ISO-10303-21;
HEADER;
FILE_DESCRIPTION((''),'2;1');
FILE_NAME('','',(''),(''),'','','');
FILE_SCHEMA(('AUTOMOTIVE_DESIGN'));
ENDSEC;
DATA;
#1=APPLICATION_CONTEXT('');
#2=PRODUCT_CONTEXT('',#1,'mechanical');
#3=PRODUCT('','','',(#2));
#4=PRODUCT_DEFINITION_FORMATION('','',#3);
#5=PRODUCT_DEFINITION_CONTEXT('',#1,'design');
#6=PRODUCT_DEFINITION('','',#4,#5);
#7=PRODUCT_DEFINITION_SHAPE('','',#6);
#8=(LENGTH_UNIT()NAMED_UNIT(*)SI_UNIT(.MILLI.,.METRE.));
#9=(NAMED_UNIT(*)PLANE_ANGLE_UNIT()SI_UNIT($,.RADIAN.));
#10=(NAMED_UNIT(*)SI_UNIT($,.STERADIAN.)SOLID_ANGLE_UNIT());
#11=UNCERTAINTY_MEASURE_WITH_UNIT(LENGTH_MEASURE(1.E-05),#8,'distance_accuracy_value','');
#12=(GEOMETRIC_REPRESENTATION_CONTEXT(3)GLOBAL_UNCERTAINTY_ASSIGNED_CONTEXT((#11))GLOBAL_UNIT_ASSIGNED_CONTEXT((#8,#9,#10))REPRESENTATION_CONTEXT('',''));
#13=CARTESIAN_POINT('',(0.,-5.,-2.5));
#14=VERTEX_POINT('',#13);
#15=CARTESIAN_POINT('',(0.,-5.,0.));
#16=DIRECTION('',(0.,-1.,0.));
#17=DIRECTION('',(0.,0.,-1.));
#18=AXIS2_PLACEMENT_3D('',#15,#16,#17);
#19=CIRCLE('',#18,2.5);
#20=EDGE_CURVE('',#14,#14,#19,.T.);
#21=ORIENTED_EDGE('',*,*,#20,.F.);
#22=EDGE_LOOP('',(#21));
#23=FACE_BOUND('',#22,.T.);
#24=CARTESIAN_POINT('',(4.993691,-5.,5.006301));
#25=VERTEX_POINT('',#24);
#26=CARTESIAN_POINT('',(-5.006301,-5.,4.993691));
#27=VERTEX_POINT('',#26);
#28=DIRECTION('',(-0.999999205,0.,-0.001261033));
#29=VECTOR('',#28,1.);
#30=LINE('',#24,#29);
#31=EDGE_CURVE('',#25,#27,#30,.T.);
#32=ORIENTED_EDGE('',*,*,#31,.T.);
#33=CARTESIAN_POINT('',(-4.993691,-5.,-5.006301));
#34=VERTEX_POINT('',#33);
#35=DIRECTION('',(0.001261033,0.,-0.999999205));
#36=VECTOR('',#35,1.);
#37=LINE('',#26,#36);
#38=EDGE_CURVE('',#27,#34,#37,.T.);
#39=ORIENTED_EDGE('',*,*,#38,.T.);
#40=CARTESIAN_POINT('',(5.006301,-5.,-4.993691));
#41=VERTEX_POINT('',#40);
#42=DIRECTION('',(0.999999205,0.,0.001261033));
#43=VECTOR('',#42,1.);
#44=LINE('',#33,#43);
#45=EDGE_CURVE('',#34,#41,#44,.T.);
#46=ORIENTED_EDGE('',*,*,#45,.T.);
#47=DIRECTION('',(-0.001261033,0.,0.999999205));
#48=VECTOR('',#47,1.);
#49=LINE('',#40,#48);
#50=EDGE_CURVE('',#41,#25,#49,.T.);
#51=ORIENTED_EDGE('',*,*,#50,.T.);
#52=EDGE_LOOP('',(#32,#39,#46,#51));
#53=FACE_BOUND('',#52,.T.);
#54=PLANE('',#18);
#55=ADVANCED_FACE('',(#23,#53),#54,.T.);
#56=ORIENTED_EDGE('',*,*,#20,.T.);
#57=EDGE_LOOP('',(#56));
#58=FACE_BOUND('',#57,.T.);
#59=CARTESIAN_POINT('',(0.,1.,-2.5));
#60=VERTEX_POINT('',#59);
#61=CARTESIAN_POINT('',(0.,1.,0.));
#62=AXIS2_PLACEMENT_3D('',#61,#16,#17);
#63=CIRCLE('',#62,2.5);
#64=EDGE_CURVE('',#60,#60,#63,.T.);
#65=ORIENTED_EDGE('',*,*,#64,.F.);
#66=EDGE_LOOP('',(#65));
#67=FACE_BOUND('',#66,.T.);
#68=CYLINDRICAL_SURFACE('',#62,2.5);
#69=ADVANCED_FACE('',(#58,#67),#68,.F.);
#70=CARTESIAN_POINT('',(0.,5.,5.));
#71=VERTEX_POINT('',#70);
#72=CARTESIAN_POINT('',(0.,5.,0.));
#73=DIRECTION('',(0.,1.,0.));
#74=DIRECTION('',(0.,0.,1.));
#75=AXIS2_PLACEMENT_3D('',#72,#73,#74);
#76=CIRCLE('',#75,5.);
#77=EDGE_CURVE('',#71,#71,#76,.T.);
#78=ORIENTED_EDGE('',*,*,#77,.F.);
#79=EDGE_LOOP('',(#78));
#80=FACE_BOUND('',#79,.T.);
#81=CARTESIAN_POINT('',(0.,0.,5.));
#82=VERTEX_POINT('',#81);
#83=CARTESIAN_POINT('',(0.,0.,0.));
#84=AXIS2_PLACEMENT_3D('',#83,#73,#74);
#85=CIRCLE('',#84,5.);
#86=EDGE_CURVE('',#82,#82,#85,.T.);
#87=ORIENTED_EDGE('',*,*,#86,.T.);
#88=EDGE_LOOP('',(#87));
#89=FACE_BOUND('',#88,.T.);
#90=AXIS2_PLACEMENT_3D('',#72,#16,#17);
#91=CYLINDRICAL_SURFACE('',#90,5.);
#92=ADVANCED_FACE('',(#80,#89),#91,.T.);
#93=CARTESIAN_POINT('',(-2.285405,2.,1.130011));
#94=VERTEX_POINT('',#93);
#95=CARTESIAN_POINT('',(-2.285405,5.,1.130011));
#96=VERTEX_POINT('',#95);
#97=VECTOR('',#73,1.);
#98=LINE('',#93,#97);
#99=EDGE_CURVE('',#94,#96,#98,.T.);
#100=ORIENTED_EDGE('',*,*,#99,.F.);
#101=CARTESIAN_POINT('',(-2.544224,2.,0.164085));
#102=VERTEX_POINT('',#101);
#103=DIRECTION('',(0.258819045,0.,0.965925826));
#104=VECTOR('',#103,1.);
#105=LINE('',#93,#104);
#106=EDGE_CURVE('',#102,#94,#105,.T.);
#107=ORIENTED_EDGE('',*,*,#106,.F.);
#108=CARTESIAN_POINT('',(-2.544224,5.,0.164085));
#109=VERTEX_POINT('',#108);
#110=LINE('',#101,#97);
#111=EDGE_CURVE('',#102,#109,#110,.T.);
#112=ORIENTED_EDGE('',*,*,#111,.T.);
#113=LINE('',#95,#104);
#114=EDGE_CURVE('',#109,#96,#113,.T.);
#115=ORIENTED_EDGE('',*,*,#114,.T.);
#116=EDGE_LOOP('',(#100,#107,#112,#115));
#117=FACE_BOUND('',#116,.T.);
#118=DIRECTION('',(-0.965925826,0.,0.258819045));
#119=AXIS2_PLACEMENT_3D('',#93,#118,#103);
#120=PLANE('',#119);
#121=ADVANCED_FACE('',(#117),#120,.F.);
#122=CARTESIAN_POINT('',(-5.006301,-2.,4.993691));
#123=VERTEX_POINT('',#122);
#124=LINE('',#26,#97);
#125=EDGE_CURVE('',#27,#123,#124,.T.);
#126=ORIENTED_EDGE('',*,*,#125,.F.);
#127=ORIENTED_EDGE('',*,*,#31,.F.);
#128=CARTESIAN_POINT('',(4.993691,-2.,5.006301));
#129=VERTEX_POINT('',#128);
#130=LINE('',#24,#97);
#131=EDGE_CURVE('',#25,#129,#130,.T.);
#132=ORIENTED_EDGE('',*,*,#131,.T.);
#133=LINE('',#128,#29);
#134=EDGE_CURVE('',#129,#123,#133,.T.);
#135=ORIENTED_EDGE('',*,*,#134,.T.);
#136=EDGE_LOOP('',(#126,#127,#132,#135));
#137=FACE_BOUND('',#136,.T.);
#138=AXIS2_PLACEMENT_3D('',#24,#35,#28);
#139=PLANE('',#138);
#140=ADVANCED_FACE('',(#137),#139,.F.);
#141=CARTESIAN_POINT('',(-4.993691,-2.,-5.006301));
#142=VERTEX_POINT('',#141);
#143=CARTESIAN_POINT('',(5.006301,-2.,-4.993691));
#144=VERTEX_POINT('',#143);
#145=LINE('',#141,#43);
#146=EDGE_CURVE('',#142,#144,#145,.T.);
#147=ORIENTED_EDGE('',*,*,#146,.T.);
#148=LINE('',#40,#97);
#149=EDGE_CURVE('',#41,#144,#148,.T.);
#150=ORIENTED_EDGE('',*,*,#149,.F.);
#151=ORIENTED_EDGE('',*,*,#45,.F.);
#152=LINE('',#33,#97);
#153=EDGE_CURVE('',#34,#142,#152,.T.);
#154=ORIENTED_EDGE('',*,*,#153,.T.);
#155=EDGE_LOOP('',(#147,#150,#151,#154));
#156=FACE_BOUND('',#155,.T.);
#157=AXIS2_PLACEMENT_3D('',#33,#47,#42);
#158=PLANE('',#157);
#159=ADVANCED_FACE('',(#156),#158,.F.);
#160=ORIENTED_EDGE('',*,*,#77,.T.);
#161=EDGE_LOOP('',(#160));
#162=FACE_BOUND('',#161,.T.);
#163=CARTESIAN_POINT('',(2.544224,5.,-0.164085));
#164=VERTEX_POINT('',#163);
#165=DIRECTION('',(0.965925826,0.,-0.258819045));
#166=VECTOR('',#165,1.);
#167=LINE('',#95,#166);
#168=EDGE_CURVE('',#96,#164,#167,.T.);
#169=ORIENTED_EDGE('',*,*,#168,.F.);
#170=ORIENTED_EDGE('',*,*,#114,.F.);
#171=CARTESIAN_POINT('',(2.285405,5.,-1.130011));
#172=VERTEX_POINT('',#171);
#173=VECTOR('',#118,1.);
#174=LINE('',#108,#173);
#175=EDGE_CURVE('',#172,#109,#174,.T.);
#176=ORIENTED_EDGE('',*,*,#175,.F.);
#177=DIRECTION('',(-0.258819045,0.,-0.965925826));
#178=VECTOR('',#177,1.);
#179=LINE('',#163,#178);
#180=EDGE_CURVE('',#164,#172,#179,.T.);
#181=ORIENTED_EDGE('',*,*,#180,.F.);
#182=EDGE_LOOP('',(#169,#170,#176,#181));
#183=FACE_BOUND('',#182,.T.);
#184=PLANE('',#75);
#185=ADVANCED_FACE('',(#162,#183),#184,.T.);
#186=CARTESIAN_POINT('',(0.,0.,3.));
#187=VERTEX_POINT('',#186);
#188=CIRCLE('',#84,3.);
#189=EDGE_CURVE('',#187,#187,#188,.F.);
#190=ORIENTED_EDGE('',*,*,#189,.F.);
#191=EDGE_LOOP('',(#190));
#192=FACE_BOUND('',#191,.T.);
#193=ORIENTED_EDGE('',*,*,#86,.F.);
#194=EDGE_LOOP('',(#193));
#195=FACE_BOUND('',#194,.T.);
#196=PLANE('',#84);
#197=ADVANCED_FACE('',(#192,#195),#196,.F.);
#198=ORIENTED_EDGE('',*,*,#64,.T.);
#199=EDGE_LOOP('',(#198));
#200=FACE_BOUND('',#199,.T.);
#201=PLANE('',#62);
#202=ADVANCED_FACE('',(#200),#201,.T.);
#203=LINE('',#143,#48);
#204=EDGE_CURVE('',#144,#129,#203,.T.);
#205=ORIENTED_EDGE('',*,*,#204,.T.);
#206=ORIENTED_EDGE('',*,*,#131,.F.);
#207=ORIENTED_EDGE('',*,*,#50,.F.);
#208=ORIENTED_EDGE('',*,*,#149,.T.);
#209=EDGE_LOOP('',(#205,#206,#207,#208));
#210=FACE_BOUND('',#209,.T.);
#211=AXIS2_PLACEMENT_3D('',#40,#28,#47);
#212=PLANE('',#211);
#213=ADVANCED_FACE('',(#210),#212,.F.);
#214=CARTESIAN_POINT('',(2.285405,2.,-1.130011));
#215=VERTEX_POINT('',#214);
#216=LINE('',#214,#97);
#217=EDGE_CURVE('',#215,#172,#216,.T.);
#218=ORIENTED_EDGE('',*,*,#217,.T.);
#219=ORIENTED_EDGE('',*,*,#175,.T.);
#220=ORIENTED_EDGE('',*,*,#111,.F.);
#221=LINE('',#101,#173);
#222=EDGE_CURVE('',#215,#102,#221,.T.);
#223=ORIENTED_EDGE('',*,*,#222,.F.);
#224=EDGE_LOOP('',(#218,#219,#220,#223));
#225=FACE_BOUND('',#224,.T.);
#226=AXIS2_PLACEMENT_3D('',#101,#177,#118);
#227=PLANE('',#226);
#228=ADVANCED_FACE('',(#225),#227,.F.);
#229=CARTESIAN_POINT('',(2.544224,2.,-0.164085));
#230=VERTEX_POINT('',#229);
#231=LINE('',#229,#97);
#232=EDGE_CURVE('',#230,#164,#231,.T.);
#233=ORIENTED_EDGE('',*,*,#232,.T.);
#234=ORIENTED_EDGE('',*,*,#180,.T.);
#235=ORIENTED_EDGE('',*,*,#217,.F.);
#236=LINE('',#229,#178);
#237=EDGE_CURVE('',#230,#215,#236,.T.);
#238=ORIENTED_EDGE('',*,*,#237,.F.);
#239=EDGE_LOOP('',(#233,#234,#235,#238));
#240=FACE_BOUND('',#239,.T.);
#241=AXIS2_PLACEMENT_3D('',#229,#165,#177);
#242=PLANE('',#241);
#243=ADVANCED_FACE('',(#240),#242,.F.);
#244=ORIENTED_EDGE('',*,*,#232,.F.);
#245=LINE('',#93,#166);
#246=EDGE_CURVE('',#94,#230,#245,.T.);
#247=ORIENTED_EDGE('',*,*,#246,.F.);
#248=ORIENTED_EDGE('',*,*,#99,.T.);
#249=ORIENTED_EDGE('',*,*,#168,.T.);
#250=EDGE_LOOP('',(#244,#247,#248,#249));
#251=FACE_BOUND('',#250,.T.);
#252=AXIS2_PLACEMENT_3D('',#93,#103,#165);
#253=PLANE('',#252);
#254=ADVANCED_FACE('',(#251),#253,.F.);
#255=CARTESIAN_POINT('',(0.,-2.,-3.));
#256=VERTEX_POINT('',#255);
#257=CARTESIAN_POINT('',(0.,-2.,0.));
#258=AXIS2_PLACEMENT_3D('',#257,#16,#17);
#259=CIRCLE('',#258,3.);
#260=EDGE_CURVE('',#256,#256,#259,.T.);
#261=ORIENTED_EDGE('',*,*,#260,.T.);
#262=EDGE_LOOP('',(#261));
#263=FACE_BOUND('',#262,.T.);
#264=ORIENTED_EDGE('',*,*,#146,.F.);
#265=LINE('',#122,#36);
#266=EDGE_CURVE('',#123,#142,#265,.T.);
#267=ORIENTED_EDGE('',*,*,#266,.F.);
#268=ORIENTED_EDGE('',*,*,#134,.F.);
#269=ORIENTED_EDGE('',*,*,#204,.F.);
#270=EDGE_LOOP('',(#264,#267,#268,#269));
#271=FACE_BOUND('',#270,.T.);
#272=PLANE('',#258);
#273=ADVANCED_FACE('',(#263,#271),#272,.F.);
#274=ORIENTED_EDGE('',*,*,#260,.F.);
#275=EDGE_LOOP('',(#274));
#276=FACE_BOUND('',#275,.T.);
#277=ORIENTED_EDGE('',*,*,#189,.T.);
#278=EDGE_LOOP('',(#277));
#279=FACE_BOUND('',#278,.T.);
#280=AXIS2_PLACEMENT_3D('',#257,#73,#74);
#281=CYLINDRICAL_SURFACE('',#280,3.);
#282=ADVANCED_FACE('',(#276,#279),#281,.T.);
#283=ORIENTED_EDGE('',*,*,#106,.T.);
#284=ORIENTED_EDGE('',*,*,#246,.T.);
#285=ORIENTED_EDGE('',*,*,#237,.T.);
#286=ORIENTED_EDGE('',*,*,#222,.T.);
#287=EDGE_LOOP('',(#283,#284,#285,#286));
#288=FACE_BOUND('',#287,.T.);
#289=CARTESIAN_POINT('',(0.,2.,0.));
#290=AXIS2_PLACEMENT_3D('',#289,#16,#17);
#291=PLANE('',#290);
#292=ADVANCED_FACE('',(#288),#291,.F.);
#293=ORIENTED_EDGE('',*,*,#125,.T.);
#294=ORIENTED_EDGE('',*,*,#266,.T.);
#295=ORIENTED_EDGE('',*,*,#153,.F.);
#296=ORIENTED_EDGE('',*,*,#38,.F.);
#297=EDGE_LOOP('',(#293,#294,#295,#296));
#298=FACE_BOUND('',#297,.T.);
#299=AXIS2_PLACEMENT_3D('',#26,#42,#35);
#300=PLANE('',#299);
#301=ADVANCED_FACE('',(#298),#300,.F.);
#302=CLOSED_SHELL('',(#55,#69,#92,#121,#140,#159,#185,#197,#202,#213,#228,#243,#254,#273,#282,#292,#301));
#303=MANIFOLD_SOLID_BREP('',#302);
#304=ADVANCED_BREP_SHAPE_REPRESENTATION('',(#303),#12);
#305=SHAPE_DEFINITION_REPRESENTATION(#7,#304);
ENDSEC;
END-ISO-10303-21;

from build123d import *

# Parameters (mm, degrees)
SKETCH_1_R          = 5
EXTRUDE_1_DEPTH     = 5
SKETCH_3_R          = 3
EXTRUDE_2_DEPTH     = 2
EXTRUDE_3_DEPTH     = 3
SKETCH_5_R          = 2.5
CUT_EXTRUDE_2_DEPTH = 6
CUT_EXTRUDE_1_DEPTH = 3


with BuildPart() as part:
    # 草图1 → 凸台-拉伸1 (new body)
    with BuildSketch(Plane(origin=(0, 0, 0), x_dir=(1, 0, 0), z_dir=(0, 1, 0))):
        with Locations(Location((0, 0, 0), (0, 0, 270))):
            Circle(SKETCH_1_R)
    extrude(amount=EXTRUDE_1_DEPTH)

    # 草图3 → 凸台-拉伸2 (add)
    with BuildSketch(Plane.XZ):
        with Locations(Location((0, 0, 0), (0, 0, 90))):
            Circle(SKETCH_3_R)
    extrude(amount=EXTRUDE_2_DEPTH)

    # 草图4 → 凸台-拉伸3 (add)
    with BuildSketch(Plane.XZ.offset(2)):
        Polygon((4.993690859, 5.00630119), (-5.00630119, 4.993690859), (-4.993690859, -5.00630119), (5.00630119, -4.993690859), align=None)
    extrude(amount=EXTRUDE_3_DEPTH)

    # 草图5 → 切除-拉伸2 (cut)
    with BuildSketch(Plane.XZ.offset(5)):
        with Locations(Location((0, 0, 0), (0, 0, 270))):
            Circle(SKETCH_5_R)
    extrude(amount=-CUT_EXTRUDE_2_DEPTH, mode=Mode.SUBTRACT)

    # 草图2 → 切除-拉伸1 (cut)
    with BuildSketch(Plane(origin=(0, 5, 0), x_dir=(1, 0, 0), z_dir=(0, 1, 0))):
        Polygon((-2.285405043, -1.130010526), (2.544224088, 0.1640847), (2.285405043, 1.130010526), (-2.544224088, -0.1640847), align=None)
    extrude(amount=-CUT_EXTRUDE_1_DEPTH, mode=Mode.SUBTRACT)


solid = part.part
